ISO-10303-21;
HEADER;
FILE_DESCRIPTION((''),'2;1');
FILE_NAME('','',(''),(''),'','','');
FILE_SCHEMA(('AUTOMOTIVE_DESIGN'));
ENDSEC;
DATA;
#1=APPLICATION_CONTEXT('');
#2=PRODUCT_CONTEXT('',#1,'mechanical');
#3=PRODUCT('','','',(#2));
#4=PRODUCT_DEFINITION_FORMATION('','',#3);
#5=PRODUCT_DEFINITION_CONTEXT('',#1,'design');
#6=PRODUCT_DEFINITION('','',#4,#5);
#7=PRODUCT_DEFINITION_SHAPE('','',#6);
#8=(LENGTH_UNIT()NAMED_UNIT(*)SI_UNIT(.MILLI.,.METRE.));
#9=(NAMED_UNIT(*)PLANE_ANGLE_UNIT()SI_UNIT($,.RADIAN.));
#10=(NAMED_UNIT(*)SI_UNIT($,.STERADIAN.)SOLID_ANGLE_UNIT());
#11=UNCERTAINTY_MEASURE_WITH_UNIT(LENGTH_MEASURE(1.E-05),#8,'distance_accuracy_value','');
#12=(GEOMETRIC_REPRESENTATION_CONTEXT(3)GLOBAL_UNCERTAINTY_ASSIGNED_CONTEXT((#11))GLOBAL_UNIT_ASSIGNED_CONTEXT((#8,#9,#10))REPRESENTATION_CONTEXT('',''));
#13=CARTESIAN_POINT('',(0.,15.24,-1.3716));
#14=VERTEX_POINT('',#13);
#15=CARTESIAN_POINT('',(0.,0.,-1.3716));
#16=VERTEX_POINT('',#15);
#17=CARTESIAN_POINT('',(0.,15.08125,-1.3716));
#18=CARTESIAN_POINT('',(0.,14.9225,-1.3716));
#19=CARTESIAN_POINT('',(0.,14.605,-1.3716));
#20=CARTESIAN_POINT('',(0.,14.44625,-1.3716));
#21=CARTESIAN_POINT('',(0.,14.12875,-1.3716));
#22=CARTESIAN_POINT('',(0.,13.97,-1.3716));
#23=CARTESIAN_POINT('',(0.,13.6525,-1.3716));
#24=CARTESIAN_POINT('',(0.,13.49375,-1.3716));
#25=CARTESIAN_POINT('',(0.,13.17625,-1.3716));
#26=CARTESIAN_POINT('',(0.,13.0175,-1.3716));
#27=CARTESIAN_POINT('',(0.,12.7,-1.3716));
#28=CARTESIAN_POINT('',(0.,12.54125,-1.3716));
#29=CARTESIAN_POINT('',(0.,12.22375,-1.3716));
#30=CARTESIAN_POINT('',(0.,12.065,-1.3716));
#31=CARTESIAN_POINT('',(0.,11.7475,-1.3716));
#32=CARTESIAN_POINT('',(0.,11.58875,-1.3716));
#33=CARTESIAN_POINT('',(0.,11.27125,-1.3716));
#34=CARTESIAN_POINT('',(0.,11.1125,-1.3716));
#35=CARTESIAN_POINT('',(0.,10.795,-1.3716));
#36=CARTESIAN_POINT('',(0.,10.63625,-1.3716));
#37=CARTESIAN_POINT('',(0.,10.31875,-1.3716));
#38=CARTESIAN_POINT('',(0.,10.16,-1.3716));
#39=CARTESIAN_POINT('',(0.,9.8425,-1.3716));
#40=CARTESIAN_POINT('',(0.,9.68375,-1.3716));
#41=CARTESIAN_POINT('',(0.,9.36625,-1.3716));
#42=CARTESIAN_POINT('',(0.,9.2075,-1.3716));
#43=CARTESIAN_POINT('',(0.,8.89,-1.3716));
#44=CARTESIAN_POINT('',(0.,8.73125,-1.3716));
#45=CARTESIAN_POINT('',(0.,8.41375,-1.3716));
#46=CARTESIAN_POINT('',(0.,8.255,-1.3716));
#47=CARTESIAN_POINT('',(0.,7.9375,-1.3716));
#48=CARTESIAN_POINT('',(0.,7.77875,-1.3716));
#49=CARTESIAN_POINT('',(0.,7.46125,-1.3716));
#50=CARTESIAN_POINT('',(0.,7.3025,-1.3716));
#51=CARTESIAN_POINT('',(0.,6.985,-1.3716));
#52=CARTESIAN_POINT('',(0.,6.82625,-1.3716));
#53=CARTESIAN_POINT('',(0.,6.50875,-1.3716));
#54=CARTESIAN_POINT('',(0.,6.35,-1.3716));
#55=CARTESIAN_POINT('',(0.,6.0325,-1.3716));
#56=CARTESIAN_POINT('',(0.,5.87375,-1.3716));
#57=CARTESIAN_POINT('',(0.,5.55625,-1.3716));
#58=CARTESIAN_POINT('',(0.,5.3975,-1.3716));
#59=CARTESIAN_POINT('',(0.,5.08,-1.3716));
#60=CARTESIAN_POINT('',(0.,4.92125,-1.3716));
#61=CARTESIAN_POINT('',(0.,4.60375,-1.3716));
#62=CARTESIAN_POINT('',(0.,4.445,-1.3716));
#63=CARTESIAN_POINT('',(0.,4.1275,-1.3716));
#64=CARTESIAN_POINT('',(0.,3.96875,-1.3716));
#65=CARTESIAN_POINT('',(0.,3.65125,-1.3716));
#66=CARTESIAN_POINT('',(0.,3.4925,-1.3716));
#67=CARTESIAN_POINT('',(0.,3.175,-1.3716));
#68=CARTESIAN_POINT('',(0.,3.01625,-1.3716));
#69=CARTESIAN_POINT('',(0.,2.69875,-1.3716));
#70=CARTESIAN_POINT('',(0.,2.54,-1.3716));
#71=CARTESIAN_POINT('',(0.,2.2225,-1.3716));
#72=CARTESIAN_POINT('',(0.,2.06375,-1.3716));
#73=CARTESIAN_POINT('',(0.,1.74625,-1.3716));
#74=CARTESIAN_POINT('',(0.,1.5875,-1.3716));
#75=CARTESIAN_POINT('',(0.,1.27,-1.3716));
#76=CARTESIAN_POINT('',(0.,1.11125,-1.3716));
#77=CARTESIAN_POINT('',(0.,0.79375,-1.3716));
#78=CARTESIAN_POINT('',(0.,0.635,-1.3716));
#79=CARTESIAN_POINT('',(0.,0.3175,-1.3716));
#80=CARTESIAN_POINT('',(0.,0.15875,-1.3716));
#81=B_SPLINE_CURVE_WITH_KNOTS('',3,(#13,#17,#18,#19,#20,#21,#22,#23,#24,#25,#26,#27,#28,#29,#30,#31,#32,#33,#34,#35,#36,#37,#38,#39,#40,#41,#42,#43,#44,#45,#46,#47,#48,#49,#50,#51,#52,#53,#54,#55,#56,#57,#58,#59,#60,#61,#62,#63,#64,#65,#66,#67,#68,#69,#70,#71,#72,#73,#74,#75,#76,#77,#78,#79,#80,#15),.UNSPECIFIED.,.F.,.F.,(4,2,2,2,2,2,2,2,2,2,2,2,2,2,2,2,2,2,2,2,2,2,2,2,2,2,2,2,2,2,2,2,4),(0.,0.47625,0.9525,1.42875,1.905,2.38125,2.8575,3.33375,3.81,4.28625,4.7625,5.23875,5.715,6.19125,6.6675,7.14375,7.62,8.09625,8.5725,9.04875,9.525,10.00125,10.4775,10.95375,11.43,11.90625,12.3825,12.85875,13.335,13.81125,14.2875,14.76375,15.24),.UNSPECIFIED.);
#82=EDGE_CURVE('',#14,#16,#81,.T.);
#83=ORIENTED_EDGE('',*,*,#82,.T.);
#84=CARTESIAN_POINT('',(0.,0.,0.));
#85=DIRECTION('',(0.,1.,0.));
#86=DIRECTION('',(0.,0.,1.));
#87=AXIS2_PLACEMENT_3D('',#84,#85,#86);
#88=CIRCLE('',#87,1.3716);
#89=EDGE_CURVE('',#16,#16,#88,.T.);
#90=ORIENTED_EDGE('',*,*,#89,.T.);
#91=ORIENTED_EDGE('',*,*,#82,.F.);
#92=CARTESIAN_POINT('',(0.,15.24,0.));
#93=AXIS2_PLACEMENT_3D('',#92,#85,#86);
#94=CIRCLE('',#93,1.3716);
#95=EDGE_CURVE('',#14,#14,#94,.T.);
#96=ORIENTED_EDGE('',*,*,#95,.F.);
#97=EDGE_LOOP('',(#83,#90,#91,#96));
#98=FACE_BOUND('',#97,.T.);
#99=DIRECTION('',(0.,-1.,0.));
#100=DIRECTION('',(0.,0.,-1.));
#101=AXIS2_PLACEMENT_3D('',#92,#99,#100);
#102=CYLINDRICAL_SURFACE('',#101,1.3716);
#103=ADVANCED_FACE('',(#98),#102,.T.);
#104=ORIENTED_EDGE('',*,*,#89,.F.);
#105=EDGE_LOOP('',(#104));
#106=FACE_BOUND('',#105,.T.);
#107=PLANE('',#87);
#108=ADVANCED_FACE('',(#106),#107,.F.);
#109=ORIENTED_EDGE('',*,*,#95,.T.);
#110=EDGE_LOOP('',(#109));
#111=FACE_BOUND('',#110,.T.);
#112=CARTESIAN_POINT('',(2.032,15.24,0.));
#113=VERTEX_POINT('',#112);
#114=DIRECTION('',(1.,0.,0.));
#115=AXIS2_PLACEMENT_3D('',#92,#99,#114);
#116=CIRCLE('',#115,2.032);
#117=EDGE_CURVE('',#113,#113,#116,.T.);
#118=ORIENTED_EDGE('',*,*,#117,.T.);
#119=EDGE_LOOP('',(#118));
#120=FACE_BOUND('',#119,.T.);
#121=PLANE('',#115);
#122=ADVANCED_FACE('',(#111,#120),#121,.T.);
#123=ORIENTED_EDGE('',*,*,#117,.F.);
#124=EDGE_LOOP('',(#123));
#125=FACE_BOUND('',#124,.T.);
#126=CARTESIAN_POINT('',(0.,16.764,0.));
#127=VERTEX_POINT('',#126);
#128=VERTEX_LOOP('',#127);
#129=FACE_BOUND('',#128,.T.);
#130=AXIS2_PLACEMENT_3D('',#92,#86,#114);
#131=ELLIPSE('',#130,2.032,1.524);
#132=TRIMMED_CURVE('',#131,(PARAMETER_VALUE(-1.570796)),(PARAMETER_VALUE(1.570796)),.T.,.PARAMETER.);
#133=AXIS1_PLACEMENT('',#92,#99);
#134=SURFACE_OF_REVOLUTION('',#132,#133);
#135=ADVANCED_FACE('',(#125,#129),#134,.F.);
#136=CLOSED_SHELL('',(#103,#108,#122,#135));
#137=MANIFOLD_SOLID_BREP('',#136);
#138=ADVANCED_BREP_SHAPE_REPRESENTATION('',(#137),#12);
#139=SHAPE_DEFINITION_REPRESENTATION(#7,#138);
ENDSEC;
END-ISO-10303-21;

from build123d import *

# Parameters (mm, degrees)
SKETCH1_R           = 1.3716
BOSS_EXTRUDE1_DEPTH = 15.24


with BuildPart() as part:
    # Sketch1 → Boss-Extrude1 (new body)
    with BuildSketch(Plane(origin=(0, 0, 0), x_dir=(1, 0, 0), z_dir=(0, 1, 0))):
        with Locations(Location((0, 0, 0), (0, 0, 90))):
            Circle(SKETCH1_R)
    extrude(amount=BOSS_EXTRUDE1_DEPTH)

    # Sketch2 → Revolve1 (revolve)
    with BuildSketch(Plane(origin=(0, 0, 0), x_dir=(-1, 0, 0), z_dir=(0, 0, -1))):
        with BuildLine():
            add(Edge.make_bspline(
                [(0, 16.764), (-2.032, 16.764), (-2.032, 15.24)],
                knots=[4.71238898, 4.71238898, 4.71238898, 6.283185307, 6.283185307, 6.283185307], degree=2, weights=[1, 0.707106781, 1]))
            Line((-2.032, 15.24), (0, 15.24))
            Line((0, 15.24), (0, 16.764))
        make_face()
    revolve(axis=Axis((0, 15.24, 0), (0, 1, 0)))


solid = part.part
